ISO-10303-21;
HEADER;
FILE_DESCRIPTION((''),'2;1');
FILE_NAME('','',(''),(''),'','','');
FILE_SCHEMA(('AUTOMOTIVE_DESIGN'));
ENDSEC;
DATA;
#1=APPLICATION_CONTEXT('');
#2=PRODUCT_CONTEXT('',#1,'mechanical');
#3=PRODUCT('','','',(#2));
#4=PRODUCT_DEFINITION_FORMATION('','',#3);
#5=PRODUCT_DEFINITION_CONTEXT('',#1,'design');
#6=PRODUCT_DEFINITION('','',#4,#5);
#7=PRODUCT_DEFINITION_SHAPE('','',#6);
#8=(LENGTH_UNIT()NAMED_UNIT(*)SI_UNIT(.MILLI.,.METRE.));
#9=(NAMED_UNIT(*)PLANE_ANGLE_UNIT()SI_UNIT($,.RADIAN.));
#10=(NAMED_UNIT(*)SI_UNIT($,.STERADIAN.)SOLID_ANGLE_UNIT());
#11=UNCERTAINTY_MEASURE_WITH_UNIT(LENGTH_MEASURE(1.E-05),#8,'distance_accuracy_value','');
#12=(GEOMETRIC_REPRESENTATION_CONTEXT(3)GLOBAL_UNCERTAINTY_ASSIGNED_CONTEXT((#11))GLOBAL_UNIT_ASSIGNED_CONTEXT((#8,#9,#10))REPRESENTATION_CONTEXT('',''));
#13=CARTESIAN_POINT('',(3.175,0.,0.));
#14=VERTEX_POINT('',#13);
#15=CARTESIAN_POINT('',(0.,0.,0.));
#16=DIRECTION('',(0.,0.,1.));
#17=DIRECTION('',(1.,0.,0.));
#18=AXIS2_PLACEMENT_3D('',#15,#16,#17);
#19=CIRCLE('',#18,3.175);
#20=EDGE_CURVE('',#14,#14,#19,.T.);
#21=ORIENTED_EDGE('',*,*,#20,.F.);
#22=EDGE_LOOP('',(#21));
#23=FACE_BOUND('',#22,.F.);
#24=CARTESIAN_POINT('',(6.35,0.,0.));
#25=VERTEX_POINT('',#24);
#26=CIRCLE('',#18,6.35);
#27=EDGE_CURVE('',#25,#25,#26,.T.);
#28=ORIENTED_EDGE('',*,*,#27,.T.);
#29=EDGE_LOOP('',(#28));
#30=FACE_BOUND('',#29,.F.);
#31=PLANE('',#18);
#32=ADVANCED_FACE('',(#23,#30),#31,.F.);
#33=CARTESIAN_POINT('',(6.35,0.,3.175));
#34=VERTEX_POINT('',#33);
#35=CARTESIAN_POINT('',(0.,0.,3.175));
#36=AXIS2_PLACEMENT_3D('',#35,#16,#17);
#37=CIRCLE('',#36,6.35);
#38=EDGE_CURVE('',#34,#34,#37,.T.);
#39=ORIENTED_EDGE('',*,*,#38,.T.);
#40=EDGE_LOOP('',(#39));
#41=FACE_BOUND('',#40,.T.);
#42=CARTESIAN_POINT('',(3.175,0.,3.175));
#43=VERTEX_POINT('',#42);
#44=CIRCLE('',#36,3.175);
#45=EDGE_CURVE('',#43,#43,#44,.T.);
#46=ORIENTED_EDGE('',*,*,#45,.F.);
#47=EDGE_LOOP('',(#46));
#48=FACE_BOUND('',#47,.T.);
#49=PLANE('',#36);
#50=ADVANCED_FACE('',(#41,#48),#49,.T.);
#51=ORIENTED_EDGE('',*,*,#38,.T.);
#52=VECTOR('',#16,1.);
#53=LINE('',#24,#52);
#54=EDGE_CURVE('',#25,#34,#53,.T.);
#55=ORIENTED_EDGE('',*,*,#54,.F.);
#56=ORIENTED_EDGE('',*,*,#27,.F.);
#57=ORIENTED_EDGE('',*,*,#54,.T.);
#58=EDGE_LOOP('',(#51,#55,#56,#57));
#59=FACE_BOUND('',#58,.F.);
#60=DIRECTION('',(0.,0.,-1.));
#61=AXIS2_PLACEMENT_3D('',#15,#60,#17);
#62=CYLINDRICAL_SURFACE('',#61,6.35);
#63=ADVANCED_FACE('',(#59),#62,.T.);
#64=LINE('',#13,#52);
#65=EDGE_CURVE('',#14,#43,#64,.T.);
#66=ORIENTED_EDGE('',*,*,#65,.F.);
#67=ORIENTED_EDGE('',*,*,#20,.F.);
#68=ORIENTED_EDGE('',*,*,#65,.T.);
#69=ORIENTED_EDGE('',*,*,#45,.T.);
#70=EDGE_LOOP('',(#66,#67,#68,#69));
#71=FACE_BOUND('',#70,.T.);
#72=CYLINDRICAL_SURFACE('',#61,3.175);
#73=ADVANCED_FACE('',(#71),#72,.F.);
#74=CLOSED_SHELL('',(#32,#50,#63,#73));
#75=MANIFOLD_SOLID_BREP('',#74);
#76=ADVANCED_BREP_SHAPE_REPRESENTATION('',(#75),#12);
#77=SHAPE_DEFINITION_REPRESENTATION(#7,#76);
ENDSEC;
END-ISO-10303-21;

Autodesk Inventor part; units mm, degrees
ref_plane "YZ Plane" through (0, 0, 0) normal (1, 0, 0) x (0, 1, 0)
ref_plane "XZ Plane" through (0, 0, 0) normal (0, 1, 0) x (-1, 0, 0)
ref_plane "XY Plane" through (0, 0, 0) normal (0, 0, 1) x (1, 0, 0)
sketch "Sketch1" plane through (0, 0, 0) normal (0, 0, 1) x (1, 0, 0)
  circle A0 centre (0, 0) radius 3.175
  circle A1 centre (0, 0) radius 6.35
  dimension "d0" = 6.35
  dimension "d1" = 12.7
extrude "Extrusion1" add sketch "Sketch1" along normal blind 3.175
properties part number "shooter wheel spacer"
